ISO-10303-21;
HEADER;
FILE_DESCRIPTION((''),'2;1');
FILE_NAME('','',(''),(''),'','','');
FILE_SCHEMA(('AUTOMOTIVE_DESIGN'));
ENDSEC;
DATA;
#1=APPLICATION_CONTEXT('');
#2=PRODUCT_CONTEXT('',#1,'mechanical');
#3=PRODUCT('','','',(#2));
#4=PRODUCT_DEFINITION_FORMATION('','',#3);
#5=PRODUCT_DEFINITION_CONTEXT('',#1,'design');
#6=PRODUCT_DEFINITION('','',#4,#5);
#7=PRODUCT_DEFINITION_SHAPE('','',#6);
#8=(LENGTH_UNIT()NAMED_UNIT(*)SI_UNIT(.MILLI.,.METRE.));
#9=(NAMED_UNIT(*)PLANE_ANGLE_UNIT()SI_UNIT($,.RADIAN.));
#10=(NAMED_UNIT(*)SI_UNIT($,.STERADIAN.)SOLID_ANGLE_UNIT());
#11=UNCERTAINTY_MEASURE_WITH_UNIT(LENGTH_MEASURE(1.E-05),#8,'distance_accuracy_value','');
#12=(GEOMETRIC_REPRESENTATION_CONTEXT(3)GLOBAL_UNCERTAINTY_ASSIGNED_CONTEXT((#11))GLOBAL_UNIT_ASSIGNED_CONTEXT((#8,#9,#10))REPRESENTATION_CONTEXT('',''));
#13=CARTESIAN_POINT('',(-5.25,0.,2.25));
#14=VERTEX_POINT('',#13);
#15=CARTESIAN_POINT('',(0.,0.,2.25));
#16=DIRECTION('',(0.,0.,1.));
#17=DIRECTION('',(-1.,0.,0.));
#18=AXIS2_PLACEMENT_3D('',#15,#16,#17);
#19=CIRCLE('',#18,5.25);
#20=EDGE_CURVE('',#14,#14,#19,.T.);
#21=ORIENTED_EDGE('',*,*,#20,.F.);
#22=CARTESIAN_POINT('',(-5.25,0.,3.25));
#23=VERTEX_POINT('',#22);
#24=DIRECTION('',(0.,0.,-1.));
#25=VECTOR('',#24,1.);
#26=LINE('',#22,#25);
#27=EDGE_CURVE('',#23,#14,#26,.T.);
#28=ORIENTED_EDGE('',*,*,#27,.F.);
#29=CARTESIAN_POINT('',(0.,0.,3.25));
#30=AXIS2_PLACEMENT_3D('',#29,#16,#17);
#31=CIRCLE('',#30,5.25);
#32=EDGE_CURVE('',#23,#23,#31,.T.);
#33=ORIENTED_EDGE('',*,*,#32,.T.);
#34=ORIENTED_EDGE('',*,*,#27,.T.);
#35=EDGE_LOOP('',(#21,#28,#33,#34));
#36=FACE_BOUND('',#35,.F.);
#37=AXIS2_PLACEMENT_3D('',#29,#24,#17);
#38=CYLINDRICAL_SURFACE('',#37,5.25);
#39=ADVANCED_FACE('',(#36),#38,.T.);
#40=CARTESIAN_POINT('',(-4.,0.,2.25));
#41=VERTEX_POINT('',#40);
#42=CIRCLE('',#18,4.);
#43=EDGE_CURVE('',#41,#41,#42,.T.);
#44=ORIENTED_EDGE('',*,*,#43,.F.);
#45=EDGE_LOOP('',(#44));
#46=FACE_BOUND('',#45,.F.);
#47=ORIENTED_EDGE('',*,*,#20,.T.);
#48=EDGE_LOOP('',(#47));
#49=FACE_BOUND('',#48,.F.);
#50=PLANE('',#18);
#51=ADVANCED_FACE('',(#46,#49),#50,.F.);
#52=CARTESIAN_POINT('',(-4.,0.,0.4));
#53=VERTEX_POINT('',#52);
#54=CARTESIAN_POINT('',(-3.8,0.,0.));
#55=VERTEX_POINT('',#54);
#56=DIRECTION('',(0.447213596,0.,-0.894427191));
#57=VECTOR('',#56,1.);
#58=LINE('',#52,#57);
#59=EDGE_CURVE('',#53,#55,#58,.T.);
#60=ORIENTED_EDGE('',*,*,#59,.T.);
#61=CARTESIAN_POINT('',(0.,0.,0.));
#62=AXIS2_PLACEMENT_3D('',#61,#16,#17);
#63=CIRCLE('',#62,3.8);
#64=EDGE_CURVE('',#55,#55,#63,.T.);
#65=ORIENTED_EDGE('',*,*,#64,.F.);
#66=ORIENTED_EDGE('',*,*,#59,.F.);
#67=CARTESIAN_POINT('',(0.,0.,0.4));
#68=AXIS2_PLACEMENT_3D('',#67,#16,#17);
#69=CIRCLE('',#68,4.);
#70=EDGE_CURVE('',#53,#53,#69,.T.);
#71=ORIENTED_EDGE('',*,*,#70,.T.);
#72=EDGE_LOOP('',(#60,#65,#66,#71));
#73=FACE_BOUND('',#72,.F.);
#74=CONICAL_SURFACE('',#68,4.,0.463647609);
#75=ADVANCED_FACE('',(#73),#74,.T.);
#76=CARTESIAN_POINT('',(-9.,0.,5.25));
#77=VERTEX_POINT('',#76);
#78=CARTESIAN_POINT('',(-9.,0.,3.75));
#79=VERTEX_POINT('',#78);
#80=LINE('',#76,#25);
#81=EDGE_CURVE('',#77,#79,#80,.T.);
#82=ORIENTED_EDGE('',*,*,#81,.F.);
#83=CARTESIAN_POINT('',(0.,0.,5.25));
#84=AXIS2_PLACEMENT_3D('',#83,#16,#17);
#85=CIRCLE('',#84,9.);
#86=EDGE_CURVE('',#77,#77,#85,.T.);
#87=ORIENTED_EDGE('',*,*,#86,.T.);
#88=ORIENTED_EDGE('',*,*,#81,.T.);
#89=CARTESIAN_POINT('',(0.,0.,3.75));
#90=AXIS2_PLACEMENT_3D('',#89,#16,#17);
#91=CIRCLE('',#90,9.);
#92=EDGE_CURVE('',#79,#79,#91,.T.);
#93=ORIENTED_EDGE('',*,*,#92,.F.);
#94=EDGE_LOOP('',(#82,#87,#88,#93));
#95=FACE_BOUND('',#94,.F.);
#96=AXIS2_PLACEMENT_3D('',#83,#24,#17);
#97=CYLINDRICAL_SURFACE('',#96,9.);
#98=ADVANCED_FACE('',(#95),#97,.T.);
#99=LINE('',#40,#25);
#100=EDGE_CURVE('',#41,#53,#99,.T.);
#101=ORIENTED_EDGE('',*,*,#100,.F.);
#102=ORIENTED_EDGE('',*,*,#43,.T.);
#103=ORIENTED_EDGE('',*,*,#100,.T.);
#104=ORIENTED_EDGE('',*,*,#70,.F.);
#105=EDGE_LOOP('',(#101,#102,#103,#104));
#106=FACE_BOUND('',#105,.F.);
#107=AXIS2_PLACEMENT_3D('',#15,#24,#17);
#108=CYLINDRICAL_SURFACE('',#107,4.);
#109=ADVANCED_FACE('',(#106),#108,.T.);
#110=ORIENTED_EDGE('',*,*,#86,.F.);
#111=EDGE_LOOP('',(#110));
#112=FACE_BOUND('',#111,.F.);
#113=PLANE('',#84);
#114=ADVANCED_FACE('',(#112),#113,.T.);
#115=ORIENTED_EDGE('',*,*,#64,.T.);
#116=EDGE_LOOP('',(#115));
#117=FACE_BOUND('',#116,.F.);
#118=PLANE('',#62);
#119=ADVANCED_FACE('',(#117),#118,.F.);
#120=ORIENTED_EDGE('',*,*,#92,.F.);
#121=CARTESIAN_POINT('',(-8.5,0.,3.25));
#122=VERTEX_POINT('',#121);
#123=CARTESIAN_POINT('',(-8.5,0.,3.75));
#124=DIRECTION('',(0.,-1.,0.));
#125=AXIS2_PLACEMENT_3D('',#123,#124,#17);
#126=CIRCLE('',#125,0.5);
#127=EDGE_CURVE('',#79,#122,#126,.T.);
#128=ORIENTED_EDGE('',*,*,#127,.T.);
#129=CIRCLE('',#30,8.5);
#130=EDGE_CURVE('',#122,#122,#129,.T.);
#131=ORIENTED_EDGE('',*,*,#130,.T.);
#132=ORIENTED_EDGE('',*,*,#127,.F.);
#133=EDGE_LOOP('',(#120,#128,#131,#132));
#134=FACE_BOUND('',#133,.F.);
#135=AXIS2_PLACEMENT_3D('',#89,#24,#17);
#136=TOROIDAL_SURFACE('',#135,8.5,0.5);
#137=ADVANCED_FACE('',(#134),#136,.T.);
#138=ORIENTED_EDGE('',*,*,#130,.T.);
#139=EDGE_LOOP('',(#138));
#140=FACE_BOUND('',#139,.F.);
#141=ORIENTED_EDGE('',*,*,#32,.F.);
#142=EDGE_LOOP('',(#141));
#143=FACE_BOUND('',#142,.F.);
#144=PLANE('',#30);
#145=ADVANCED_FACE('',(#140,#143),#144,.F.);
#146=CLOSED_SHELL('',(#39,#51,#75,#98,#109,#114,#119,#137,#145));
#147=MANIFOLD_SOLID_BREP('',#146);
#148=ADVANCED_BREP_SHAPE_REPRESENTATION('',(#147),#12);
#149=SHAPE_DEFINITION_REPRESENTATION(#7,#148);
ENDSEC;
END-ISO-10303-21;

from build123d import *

# Parameters (mm, degrees)
F2_R     = 0.5
F3_SIZE2 = 0.2
F3_SIZE  = 0.4


with BuildPart() as f1:
    # F0 (on Front) → F1 (revolve)
    with BuildSketch(Plane.XZ):
        Polygon((-4, 0), (0, 0), (0, 5.25), (-9, 5.25), (-9, 3.25), (-5.25, 3.25), (-5.25, 2.25), (-4, 2.25), align=None)
    revolve(axis=Axis((0, 0, 2.625), (0, 0, 1)))

    # F2
    f2_edges = [f1.edges().sort_by_distance(p)[0] for p in [
        (9, 0, 3.25),
    ]]
    fillet(f2_edges, radius=F2_R)

    # F3
    f3_edges = [f1.edges().sort_by_distance(p)[0] for p in [
        (4, 0, 0),
    ]]
    f3_side = f1.faces().sort_by_distance((4, 0, 1.125))[0]
    chamfer(f3_edges, length=F3_SIZE, length2=F3_SIZE2, reference=f3_side)


solid = f1.part
